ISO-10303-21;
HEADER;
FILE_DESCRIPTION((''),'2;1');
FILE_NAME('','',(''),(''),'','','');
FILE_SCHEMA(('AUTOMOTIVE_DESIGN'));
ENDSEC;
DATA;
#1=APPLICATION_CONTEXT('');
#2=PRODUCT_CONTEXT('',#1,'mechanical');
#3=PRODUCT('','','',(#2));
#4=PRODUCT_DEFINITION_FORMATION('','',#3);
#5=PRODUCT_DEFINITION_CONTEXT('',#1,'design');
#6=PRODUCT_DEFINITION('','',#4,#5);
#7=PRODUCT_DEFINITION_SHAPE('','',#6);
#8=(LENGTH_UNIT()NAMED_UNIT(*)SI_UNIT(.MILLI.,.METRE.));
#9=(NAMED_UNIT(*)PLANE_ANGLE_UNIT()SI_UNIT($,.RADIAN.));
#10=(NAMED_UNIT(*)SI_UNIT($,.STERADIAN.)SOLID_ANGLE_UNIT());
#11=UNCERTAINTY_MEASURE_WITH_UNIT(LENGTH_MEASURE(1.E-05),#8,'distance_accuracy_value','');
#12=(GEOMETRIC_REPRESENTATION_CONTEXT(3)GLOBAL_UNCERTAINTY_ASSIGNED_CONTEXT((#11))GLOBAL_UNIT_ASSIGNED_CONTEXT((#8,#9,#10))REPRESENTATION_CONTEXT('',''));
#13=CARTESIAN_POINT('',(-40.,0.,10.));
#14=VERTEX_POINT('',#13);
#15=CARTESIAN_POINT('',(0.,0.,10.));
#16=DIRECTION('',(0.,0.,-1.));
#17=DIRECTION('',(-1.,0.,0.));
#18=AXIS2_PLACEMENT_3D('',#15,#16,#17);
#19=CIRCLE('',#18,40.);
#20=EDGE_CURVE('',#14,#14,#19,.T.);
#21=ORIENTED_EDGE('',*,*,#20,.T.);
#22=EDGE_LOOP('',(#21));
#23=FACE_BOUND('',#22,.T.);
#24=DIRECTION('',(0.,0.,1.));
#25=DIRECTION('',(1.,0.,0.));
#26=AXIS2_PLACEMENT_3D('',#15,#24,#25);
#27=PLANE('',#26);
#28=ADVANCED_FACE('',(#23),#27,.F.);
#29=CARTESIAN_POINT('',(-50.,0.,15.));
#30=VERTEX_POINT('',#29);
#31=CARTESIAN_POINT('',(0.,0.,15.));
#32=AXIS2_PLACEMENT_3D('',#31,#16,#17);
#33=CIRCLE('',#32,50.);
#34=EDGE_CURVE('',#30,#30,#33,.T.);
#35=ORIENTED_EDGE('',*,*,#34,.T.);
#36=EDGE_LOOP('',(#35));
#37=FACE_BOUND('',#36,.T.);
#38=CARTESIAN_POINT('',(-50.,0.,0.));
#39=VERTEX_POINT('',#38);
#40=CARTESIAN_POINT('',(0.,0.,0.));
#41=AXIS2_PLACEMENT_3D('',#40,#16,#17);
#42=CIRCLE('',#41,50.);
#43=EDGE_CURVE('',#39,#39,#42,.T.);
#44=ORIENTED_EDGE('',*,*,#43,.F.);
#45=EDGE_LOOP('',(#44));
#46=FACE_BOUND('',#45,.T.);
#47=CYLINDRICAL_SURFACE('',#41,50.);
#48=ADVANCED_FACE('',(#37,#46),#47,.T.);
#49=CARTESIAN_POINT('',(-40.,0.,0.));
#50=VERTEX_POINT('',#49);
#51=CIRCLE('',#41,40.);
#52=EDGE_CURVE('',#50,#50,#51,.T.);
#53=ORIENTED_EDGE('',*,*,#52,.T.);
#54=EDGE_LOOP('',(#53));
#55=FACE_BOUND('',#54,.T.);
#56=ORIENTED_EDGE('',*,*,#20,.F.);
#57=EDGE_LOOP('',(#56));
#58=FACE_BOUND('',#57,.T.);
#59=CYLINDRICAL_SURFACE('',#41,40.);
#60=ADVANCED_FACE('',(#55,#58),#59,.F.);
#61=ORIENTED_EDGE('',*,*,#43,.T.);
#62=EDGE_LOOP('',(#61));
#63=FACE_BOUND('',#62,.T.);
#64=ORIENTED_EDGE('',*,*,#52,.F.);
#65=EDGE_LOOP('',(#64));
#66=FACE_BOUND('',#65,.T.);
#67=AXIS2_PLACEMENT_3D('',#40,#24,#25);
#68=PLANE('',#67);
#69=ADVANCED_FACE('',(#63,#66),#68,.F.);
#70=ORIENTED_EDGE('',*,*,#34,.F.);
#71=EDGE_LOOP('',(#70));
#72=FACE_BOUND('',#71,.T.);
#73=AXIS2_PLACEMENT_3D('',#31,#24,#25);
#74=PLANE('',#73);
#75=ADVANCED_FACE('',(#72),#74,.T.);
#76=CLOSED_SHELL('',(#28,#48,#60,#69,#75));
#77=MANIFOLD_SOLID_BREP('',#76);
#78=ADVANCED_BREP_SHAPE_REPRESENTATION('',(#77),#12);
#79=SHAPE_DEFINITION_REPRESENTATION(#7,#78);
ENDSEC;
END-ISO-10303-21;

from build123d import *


with BuildPart() as part:
    # Sketch1 → Revolve1 (revolve)
    with BuildSketch(Plane(origin=(0, 0, 0), x_dir=(1, 0, 0), z_dir=(0, 1, 0))):
        Polygon((-50, -15), (0, -15), (0, -10), (-40, -10), (-40, 0), (-50, 0), align=None)
    revolve(axis=Axis((0, 0, 0), (0, 0, 1)))


solid = part.part
